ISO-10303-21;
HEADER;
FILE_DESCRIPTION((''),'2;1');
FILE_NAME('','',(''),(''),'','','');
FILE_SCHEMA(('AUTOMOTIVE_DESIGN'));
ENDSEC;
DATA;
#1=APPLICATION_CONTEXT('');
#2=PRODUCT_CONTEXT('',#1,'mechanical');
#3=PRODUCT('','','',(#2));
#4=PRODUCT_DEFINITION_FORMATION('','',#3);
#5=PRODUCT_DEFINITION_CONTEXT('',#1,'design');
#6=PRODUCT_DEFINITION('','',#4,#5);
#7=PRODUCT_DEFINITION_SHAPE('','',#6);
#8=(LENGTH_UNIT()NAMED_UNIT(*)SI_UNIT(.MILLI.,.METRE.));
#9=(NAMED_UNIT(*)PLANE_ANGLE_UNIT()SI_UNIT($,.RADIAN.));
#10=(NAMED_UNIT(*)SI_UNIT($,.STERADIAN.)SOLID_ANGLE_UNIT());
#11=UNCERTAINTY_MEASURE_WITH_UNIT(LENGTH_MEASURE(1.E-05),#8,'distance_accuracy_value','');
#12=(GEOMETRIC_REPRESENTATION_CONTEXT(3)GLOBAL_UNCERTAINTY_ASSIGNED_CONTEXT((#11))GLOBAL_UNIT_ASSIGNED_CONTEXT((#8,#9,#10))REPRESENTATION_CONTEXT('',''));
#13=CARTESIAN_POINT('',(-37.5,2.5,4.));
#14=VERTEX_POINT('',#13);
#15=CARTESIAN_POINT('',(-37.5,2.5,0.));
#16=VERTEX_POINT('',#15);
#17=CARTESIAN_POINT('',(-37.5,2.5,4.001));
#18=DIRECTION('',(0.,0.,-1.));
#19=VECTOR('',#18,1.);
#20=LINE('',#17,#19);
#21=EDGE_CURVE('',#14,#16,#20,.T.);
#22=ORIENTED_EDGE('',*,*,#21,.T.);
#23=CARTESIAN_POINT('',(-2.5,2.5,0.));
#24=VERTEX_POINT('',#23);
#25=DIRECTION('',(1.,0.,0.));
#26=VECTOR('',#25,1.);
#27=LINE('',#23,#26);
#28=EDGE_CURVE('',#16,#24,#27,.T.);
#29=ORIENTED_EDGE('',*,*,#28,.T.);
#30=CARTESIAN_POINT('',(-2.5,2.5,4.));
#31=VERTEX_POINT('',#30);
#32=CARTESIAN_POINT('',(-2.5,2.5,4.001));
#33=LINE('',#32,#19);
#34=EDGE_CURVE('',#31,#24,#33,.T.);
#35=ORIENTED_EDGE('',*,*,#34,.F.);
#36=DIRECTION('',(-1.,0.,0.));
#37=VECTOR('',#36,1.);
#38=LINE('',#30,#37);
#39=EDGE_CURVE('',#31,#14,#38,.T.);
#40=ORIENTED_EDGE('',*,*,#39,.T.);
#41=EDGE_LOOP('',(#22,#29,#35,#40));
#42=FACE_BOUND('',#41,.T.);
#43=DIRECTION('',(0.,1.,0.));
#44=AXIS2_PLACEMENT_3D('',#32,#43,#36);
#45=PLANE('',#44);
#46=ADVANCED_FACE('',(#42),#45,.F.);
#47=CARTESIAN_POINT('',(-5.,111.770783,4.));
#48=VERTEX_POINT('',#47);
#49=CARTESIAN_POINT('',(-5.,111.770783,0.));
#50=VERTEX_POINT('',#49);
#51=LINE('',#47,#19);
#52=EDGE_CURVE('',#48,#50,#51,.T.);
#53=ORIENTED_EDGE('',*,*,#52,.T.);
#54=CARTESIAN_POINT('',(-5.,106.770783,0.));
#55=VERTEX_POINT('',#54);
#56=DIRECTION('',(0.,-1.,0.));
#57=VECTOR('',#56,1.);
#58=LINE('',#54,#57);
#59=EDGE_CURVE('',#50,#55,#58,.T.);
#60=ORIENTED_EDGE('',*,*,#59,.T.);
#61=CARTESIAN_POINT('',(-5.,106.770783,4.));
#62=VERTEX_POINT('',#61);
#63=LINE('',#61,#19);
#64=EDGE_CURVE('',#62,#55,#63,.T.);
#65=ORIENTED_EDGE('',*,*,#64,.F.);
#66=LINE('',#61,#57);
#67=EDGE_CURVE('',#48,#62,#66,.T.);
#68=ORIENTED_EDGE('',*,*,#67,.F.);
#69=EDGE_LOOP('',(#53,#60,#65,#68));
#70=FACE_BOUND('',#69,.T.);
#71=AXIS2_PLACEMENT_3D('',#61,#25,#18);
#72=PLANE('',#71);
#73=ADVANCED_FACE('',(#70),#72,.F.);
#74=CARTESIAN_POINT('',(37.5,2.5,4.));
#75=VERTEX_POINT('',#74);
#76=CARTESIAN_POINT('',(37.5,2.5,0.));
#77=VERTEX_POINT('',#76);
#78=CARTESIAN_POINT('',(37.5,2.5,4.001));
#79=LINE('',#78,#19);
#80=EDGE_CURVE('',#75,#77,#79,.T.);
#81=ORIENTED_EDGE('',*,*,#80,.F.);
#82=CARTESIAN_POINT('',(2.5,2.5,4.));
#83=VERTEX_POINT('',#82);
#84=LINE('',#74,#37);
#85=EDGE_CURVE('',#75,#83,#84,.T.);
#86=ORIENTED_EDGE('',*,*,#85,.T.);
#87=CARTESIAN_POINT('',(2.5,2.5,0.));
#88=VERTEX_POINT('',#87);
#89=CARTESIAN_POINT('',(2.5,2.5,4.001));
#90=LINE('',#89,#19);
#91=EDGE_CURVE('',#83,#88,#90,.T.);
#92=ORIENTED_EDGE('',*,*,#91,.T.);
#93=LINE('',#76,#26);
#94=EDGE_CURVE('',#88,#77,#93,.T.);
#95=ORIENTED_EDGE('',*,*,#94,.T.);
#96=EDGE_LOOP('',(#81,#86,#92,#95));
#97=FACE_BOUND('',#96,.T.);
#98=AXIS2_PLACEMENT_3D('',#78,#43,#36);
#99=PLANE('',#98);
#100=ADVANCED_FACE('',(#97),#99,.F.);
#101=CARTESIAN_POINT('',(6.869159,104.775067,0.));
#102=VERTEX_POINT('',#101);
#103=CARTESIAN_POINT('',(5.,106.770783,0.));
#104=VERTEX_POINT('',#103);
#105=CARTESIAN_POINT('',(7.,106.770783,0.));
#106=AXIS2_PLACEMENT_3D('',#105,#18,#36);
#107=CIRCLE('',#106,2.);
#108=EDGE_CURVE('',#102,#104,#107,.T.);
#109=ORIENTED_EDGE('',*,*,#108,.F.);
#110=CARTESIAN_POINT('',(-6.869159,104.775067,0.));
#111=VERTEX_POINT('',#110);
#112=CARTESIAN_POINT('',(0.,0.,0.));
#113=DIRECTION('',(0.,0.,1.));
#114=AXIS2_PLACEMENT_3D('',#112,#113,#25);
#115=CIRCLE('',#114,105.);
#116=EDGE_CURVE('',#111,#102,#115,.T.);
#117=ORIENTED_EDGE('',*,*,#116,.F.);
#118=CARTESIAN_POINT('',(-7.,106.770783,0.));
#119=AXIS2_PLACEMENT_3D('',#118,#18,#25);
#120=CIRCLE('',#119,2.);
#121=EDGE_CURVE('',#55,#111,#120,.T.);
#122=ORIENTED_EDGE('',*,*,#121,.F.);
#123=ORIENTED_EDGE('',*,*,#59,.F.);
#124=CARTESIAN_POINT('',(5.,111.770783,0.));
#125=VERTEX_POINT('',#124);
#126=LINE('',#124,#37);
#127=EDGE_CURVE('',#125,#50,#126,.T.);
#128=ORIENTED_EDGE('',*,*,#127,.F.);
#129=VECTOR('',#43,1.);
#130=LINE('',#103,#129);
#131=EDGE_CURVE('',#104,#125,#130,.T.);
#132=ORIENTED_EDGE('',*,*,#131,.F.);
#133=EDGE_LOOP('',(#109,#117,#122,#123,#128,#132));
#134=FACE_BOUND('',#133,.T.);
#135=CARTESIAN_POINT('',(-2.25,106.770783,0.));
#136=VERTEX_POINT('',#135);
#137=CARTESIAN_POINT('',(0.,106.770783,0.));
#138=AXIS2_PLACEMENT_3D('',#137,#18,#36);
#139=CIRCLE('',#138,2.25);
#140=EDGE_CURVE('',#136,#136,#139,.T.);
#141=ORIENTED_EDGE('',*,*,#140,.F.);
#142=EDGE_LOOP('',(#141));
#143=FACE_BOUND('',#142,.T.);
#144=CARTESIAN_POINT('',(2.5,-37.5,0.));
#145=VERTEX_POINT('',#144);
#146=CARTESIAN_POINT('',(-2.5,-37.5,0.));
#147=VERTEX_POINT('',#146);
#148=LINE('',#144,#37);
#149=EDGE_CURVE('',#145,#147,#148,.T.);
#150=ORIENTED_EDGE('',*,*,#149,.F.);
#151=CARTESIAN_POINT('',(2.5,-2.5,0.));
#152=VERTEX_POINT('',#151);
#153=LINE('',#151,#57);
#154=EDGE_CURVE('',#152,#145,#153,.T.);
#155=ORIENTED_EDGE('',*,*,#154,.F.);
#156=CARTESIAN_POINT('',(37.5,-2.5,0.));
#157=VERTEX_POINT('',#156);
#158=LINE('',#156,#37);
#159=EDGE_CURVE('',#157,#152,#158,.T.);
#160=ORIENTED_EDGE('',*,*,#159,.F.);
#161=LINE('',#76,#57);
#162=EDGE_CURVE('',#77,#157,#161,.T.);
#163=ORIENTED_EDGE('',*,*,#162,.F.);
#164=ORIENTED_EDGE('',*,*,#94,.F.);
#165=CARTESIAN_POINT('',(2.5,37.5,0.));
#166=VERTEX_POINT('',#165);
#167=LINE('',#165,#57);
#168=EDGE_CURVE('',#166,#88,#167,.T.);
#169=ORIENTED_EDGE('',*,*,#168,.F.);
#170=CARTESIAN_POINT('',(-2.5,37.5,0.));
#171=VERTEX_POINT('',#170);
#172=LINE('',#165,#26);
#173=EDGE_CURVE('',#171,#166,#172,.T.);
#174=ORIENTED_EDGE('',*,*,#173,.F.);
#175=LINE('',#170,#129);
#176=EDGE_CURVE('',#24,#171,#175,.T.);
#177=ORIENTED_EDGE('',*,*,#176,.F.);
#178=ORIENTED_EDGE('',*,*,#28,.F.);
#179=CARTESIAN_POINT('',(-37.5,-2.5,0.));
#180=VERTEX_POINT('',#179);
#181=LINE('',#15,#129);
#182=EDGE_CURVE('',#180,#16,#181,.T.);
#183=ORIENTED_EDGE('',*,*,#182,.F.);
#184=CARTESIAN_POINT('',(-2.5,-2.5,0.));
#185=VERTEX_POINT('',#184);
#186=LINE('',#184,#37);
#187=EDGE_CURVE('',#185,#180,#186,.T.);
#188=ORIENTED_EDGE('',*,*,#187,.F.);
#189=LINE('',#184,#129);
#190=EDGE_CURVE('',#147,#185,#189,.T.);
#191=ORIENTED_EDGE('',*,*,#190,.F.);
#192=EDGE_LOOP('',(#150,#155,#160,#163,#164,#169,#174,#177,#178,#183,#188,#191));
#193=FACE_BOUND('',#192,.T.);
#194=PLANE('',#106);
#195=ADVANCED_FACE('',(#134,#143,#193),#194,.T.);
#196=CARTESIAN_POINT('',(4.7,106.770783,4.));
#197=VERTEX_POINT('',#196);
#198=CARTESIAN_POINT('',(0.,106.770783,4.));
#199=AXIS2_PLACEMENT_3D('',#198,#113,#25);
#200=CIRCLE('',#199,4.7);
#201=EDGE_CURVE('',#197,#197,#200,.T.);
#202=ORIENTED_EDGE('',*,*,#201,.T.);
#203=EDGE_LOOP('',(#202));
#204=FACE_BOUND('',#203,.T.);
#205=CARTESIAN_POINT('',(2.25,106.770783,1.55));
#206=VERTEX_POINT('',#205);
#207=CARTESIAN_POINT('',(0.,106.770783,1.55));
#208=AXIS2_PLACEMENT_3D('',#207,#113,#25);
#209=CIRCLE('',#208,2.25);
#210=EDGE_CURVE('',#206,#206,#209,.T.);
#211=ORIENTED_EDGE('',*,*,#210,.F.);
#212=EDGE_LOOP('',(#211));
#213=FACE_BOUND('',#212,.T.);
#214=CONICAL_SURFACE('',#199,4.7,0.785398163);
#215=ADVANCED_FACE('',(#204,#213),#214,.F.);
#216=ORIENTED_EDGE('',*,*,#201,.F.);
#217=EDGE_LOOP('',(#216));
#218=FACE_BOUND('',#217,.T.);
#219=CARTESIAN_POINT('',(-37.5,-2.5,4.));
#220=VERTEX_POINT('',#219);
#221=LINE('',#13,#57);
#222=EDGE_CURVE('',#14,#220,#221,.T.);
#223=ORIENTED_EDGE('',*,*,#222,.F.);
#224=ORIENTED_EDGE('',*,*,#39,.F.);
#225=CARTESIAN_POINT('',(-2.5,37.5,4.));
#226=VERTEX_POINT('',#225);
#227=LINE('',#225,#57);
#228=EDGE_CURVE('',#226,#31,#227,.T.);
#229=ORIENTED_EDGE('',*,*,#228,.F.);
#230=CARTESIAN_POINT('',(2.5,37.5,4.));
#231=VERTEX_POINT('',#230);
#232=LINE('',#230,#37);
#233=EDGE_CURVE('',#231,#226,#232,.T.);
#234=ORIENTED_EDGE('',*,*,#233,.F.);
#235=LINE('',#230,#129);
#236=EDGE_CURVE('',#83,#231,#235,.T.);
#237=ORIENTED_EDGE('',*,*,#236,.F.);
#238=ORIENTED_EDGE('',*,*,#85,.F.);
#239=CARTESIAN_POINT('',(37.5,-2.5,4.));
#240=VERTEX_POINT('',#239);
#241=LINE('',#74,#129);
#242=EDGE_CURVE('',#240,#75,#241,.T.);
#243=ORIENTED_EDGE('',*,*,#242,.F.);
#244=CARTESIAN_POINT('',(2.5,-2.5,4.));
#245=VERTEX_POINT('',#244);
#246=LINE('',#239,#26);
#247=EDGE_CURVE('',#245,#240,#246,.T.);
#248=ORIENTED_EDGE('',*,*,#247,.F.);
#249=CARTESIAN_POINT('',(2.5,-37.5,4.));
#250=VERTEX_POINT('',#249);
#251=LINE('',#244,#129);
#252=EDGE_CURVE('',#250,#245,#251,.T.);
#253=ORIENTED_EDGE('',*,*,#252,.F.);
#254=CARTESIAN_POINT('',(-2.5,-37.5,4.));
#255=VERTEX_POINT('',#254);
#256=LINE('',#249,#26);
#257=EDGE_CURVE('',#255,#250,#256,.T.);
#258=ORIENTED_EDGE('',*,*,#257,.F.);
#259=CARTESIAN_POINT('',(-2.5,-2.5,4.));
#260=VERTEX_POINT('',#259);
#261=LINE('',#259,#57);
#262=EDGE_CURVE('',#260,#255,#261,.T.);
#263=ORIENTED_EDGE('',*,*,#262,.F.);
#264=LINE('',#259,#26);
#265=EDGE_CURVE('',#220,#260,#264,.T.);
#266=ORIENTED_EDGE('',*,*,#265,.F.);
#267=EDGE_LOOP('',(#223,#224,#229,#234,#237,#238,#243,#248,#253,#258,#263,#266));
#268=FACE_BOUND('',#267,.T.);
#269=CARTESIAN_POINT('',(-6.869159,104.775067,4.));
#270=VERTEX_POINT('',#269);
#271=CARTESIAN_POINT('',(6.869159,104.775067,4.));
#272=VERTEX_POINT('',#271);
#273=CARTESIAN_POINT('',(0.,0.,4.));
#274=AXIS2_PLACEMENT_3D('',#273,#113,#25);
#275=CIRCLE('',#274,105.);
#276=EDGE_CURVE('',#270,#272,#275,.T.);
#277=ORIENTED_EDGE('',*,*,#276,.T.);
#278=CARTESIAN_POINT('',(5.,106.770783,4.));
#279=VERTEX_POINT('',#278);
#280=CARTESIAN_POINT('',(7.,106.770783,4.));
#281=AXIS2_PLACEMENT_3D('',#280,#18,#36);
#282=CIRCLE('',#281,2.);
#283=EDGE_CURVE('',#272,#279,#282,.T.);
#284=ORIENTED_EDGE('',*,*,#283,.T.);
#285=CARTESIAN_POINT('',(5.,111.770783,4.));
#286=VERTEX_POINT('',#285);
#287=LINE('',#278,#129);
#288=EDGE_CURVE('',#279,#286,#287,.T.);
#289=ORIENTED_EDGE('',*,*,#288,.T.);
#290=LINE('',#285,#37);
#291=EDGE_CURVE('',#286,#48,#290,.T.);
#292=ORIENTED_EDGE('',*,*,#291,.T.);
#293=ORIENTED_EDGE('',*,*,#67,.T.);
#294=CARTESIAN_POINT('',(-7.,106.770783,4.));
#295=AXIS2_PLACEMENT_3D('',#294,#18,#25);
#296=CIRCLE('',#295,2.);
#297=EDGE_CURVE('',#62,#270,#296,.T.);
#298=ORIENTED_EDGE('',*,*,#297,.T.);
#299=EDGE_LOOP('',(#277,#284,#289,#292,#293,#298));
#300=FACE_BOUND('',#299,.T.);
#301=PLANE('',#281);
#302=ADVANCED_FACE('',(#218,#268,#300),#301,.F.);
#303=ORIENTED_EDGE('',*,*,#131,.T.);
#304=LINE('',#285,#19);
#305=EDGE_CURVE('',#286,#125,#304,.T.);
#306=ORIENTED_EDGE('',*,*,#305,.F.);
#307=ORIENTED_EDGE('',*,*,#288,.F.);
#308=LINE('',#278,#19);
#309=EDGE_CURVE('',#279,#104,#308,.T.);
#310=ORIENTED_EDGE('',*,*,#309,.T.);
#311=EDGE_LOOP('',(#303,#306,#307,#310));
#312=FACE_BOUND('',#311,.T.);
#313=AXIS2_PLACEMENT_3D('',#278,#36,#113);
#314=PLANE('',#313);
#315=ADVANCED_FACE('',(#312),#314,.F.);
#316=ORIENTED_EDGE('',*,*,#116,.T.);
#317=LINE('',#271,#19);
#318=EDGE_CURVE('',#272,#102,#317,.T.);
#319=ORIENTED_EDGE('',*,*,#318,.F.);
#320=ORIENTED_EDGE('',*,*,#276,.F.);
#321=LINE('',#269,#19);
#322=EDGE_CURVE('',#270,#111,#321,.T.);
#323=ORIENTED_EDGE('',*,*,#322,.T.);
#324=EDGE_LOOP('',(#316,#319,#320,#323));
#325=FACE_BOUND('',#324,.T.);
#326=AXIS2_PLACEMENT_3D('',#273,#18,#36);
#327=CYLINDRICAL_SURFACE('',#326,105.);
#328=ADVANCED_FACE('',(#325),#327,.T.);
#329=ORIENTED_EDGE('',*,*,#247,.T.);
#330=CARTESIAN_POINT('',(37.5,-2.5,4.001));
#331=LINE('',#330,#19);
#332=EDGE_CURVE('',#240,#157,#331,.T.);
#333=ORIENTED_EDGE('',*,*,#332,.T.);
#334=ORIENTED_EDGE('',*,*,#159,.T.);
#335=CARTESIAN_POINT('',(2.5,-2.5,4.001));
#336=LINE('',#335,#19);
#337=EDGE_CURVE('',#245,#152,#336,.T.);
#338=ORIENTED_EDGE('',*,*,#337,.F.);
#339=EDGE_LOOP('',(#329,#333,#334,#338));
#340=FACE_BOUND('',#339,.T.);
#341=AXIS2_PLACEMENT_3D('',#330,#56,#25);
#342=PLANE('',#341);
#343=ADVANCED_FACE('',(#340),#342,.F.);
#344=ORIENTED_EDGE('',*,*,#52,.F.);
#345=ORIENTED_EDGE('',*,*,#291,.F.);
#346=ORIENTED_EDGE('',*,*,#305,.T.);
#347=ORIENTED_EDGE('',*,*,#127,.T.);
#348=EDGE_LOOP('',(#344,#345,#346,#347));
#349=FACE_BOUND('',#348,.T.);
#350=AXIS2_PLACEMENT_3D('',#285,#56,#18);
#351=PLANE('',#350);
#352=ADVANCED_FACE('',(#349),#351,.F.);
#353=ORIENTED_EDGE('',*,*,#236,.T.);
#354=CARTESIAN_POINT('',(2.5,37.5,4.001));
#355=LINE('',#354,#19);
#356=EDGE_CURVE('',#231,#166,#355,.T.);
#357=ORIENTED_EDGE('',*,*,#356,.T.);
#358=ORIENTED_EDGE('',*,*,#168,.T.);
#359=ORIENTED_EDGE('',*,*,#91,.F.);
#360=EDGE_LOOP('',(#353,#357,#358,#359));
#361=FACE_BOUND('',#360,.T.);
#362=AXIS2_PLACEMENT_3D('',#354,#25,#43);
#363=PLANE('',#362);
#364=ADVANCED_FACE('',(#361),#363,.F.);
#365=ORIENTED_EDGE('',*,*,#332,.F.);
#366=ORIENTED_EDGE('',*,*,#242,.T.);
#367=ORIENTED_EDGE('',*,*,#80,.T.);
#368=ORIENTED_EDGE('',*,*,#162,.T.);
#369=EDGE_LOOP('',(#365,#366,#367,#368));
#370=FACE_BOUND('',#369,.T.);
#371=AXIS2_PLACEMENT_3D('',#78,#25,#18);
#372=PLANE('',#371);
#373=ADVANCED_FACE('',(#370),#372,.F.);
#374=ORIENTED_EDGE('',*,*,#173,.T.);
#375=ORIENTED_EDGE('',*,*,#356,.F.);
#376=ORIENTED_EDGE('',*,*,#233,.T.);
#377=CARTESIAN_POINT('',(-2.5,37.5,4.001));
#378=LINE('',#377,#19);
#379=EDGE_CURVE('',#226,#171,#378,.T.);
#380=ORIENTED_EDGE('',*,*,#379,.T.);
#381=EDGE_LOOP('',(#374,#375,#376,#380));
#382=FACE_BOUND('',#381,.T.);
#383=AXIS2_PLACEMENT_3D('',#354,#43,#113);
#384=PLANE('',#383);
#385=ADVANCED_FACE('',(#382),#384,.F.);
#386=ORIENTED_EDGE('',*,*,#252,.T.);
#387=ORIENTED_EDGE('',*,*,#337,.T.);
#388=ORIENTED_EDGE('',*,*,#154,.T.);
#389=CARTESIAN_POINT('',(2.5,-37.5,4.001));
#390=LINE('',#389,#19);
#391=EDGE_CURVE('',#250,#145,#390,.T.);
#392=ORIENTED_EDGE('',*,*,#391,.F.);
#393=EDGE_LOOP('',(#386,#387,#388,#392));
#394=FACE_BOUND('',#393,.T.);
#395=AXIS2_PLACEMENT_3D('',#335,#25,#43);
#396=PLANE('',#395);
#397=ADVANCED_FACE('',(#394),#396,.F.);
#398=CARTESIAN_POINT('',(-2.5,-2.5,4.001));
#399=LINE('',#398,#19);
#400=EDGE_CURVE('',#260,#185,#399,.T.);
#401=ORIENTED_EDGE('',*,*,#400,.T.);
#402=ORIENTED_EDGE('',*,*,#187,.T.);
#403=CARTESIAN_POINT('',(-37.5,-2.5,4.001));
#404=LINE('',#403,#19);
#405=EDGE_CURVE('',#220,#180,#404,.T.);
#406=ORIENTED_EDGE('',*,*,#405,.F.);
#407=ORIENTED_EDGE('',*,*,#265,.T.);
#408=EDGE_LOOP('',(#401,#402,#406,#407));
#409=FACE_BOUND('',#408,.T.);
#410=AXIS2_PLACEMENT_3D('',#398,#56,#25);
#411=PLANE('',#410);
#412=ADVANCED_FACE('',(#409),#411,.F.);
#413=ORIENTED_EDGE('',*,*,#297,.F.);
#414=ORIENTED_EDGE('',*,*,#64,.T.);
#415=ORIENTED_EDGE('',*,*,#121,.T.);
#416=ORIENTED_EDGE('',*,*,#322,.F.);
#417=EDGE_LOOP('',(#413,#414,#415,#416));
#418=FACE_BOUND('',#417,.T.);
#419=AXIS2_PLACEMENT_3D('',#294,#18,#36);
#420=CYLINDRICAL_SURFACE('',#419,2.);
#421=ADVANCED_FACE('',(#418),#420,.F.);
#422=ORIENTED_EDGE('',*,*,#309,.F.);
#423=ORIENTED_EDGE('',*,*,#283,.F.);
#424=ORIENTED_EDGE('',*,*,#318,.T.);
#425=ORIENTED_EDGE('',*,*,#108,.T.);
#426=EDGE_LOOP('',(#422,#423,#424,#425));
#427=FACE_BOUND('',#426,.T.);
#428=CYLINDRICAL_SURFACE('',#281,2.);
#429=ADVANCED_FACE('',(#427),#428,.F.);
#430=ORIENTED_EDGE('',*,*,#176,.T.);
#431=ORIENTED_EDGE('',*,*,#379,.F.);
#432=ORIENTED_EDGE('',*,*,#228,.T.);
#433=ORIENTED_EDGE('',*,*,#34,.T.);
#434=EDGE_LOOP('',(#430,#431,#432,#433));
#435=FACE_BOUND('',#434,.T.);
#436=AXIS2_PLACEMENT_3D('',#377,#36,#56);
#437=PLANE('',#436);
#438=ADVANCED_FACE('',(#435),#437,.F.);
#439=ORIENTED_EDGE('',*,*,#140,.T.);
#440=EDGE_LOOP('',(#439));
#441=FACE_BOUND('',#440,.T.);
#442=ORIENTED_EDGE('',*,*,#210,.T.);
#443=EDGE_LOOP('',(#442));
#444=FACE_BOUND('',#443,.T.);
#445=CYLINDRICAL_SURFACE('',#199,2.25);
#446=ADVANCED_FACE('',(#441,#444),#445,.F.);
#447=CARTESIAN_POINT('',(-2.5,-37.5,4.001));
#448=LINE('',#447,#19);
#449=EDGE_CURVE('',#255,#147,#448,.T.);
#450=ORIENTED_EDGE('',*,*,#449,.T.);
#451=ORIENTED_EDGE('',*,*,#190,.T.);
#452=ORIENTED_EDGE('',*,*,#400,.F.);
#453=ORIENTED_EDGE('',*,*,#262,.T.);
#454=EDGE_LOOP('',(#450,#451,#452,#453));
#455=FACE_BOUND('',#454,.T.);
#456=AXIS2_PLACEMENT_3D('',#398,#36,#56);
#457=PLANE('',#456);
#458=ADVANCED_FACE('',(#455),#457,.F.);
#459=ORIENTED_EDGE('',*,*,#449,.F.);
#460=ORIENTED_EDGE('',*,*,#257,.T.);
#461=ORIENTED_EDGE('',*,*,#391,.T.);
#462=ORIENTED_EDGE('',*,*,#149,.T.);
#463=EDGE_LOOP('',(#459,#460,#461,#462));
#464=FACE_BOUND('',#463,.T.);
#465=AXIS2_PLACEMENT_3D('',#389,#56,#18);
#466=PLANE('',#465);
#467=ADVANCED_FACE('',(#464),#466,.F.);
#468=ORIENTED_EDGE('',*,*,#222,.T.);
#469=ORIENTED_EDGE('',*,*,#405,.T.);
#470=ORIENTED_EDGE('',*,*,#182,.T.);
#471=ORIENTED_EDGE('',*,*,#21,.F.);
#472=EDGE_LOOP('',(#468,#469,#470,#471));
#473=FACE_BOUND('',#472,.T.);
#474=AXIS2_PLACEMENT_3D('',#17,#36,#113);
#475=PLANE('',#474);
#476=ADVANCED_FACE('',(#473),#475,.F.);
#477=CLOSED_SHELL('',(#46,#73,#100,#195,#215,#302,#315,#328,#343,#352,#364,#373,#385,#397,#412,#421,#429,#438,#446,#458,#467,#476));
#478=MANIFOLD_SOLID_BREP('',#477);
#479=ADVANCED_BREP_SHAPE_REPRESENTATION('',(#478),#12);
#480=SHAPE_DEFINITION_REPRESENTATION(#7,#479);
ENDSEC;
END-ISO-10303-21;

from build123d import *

# Parameters (mm, degrees)
BOSS_EXTRUDE1_DEPTH = 4
CUT_EXTRUDE1_REACH  = 155.407


with BuildPart() as part:
    # Sketch1 → Boss-Extrude1 (new body)
    with BuildSketch(Plane.XY):
        with BuildLine():
            Line((5, 106.77078252), (5, 111.77078252))
            Line((5, 111.77078252), (-5, 111.77078252))
            Line((-5, 111.77078252), (-5, 106.77078252))
            ThreePointArc((-5, 106.77078252), (-5.540259913, 105.403610666), (-6.869158879, 104.775066959))
            ThreePointArc((-6.869158879, 104.775066959), (0, -105), (6.869158879, 104.775066959))
            ThreePointArc((6.869158879, 104.775066959), (5.540259913, 105.403610666), (5, 106.77078252))
        make_face()
    extrude(amount=BOSS_EXTRUDE1_DEPTH)

    # Sketch2 → Cut-Extrude1 (cut, up to next)
    with BuildSketch(Plane(origin=(0, 0, 0), x_dir=(-1, 0, 0), z_dir=(0, 0, -1)), mode=Mode.PRIVATE) as cut_extrude1_sk1:
        Polygon((-2.5, -2.5), (-2.5, -37.5), (2.5, -37.5), (2.5, -2.5), (37.5, -2.5), (37.5, 2.5), (2.5, 2.5), (2.5, 37.5), (-2.5, 37.5), (-2.5, 2.5), (-37.5, 2.5), (-37.5, -2.5), align=None)
    cut_extrude1_tool1 = extrude(cut_extrude1_sk1.sketch, amount=-CUT_EXTRUDE1_REACH, mode=Mode.PRIVATE) & part.part
    add(cut_extrude1_tool1.solids().sort_by_distance((0, 0, 0))[0], mode=Mode.SUBTRACT)

    # Sketch3 → CSK for M4 Countersunk Flat Head Screw1 (revolve, cut)
    with BuildSketch(Plane(origin=(0, 106.77078252, 4), x_dir=(0, -1, 0), z_dir=(1, 0, 0))):
        Polygon((0, 0), (0, 4), (2.25, 4), (2.25, 2.45), (4.7, 0), align=None)
    revolve(axis=Axis((0, 106.77078252, 10.35), (0, 0, -1)), mode=Mode.SUBTRACT)


solid = part.part
